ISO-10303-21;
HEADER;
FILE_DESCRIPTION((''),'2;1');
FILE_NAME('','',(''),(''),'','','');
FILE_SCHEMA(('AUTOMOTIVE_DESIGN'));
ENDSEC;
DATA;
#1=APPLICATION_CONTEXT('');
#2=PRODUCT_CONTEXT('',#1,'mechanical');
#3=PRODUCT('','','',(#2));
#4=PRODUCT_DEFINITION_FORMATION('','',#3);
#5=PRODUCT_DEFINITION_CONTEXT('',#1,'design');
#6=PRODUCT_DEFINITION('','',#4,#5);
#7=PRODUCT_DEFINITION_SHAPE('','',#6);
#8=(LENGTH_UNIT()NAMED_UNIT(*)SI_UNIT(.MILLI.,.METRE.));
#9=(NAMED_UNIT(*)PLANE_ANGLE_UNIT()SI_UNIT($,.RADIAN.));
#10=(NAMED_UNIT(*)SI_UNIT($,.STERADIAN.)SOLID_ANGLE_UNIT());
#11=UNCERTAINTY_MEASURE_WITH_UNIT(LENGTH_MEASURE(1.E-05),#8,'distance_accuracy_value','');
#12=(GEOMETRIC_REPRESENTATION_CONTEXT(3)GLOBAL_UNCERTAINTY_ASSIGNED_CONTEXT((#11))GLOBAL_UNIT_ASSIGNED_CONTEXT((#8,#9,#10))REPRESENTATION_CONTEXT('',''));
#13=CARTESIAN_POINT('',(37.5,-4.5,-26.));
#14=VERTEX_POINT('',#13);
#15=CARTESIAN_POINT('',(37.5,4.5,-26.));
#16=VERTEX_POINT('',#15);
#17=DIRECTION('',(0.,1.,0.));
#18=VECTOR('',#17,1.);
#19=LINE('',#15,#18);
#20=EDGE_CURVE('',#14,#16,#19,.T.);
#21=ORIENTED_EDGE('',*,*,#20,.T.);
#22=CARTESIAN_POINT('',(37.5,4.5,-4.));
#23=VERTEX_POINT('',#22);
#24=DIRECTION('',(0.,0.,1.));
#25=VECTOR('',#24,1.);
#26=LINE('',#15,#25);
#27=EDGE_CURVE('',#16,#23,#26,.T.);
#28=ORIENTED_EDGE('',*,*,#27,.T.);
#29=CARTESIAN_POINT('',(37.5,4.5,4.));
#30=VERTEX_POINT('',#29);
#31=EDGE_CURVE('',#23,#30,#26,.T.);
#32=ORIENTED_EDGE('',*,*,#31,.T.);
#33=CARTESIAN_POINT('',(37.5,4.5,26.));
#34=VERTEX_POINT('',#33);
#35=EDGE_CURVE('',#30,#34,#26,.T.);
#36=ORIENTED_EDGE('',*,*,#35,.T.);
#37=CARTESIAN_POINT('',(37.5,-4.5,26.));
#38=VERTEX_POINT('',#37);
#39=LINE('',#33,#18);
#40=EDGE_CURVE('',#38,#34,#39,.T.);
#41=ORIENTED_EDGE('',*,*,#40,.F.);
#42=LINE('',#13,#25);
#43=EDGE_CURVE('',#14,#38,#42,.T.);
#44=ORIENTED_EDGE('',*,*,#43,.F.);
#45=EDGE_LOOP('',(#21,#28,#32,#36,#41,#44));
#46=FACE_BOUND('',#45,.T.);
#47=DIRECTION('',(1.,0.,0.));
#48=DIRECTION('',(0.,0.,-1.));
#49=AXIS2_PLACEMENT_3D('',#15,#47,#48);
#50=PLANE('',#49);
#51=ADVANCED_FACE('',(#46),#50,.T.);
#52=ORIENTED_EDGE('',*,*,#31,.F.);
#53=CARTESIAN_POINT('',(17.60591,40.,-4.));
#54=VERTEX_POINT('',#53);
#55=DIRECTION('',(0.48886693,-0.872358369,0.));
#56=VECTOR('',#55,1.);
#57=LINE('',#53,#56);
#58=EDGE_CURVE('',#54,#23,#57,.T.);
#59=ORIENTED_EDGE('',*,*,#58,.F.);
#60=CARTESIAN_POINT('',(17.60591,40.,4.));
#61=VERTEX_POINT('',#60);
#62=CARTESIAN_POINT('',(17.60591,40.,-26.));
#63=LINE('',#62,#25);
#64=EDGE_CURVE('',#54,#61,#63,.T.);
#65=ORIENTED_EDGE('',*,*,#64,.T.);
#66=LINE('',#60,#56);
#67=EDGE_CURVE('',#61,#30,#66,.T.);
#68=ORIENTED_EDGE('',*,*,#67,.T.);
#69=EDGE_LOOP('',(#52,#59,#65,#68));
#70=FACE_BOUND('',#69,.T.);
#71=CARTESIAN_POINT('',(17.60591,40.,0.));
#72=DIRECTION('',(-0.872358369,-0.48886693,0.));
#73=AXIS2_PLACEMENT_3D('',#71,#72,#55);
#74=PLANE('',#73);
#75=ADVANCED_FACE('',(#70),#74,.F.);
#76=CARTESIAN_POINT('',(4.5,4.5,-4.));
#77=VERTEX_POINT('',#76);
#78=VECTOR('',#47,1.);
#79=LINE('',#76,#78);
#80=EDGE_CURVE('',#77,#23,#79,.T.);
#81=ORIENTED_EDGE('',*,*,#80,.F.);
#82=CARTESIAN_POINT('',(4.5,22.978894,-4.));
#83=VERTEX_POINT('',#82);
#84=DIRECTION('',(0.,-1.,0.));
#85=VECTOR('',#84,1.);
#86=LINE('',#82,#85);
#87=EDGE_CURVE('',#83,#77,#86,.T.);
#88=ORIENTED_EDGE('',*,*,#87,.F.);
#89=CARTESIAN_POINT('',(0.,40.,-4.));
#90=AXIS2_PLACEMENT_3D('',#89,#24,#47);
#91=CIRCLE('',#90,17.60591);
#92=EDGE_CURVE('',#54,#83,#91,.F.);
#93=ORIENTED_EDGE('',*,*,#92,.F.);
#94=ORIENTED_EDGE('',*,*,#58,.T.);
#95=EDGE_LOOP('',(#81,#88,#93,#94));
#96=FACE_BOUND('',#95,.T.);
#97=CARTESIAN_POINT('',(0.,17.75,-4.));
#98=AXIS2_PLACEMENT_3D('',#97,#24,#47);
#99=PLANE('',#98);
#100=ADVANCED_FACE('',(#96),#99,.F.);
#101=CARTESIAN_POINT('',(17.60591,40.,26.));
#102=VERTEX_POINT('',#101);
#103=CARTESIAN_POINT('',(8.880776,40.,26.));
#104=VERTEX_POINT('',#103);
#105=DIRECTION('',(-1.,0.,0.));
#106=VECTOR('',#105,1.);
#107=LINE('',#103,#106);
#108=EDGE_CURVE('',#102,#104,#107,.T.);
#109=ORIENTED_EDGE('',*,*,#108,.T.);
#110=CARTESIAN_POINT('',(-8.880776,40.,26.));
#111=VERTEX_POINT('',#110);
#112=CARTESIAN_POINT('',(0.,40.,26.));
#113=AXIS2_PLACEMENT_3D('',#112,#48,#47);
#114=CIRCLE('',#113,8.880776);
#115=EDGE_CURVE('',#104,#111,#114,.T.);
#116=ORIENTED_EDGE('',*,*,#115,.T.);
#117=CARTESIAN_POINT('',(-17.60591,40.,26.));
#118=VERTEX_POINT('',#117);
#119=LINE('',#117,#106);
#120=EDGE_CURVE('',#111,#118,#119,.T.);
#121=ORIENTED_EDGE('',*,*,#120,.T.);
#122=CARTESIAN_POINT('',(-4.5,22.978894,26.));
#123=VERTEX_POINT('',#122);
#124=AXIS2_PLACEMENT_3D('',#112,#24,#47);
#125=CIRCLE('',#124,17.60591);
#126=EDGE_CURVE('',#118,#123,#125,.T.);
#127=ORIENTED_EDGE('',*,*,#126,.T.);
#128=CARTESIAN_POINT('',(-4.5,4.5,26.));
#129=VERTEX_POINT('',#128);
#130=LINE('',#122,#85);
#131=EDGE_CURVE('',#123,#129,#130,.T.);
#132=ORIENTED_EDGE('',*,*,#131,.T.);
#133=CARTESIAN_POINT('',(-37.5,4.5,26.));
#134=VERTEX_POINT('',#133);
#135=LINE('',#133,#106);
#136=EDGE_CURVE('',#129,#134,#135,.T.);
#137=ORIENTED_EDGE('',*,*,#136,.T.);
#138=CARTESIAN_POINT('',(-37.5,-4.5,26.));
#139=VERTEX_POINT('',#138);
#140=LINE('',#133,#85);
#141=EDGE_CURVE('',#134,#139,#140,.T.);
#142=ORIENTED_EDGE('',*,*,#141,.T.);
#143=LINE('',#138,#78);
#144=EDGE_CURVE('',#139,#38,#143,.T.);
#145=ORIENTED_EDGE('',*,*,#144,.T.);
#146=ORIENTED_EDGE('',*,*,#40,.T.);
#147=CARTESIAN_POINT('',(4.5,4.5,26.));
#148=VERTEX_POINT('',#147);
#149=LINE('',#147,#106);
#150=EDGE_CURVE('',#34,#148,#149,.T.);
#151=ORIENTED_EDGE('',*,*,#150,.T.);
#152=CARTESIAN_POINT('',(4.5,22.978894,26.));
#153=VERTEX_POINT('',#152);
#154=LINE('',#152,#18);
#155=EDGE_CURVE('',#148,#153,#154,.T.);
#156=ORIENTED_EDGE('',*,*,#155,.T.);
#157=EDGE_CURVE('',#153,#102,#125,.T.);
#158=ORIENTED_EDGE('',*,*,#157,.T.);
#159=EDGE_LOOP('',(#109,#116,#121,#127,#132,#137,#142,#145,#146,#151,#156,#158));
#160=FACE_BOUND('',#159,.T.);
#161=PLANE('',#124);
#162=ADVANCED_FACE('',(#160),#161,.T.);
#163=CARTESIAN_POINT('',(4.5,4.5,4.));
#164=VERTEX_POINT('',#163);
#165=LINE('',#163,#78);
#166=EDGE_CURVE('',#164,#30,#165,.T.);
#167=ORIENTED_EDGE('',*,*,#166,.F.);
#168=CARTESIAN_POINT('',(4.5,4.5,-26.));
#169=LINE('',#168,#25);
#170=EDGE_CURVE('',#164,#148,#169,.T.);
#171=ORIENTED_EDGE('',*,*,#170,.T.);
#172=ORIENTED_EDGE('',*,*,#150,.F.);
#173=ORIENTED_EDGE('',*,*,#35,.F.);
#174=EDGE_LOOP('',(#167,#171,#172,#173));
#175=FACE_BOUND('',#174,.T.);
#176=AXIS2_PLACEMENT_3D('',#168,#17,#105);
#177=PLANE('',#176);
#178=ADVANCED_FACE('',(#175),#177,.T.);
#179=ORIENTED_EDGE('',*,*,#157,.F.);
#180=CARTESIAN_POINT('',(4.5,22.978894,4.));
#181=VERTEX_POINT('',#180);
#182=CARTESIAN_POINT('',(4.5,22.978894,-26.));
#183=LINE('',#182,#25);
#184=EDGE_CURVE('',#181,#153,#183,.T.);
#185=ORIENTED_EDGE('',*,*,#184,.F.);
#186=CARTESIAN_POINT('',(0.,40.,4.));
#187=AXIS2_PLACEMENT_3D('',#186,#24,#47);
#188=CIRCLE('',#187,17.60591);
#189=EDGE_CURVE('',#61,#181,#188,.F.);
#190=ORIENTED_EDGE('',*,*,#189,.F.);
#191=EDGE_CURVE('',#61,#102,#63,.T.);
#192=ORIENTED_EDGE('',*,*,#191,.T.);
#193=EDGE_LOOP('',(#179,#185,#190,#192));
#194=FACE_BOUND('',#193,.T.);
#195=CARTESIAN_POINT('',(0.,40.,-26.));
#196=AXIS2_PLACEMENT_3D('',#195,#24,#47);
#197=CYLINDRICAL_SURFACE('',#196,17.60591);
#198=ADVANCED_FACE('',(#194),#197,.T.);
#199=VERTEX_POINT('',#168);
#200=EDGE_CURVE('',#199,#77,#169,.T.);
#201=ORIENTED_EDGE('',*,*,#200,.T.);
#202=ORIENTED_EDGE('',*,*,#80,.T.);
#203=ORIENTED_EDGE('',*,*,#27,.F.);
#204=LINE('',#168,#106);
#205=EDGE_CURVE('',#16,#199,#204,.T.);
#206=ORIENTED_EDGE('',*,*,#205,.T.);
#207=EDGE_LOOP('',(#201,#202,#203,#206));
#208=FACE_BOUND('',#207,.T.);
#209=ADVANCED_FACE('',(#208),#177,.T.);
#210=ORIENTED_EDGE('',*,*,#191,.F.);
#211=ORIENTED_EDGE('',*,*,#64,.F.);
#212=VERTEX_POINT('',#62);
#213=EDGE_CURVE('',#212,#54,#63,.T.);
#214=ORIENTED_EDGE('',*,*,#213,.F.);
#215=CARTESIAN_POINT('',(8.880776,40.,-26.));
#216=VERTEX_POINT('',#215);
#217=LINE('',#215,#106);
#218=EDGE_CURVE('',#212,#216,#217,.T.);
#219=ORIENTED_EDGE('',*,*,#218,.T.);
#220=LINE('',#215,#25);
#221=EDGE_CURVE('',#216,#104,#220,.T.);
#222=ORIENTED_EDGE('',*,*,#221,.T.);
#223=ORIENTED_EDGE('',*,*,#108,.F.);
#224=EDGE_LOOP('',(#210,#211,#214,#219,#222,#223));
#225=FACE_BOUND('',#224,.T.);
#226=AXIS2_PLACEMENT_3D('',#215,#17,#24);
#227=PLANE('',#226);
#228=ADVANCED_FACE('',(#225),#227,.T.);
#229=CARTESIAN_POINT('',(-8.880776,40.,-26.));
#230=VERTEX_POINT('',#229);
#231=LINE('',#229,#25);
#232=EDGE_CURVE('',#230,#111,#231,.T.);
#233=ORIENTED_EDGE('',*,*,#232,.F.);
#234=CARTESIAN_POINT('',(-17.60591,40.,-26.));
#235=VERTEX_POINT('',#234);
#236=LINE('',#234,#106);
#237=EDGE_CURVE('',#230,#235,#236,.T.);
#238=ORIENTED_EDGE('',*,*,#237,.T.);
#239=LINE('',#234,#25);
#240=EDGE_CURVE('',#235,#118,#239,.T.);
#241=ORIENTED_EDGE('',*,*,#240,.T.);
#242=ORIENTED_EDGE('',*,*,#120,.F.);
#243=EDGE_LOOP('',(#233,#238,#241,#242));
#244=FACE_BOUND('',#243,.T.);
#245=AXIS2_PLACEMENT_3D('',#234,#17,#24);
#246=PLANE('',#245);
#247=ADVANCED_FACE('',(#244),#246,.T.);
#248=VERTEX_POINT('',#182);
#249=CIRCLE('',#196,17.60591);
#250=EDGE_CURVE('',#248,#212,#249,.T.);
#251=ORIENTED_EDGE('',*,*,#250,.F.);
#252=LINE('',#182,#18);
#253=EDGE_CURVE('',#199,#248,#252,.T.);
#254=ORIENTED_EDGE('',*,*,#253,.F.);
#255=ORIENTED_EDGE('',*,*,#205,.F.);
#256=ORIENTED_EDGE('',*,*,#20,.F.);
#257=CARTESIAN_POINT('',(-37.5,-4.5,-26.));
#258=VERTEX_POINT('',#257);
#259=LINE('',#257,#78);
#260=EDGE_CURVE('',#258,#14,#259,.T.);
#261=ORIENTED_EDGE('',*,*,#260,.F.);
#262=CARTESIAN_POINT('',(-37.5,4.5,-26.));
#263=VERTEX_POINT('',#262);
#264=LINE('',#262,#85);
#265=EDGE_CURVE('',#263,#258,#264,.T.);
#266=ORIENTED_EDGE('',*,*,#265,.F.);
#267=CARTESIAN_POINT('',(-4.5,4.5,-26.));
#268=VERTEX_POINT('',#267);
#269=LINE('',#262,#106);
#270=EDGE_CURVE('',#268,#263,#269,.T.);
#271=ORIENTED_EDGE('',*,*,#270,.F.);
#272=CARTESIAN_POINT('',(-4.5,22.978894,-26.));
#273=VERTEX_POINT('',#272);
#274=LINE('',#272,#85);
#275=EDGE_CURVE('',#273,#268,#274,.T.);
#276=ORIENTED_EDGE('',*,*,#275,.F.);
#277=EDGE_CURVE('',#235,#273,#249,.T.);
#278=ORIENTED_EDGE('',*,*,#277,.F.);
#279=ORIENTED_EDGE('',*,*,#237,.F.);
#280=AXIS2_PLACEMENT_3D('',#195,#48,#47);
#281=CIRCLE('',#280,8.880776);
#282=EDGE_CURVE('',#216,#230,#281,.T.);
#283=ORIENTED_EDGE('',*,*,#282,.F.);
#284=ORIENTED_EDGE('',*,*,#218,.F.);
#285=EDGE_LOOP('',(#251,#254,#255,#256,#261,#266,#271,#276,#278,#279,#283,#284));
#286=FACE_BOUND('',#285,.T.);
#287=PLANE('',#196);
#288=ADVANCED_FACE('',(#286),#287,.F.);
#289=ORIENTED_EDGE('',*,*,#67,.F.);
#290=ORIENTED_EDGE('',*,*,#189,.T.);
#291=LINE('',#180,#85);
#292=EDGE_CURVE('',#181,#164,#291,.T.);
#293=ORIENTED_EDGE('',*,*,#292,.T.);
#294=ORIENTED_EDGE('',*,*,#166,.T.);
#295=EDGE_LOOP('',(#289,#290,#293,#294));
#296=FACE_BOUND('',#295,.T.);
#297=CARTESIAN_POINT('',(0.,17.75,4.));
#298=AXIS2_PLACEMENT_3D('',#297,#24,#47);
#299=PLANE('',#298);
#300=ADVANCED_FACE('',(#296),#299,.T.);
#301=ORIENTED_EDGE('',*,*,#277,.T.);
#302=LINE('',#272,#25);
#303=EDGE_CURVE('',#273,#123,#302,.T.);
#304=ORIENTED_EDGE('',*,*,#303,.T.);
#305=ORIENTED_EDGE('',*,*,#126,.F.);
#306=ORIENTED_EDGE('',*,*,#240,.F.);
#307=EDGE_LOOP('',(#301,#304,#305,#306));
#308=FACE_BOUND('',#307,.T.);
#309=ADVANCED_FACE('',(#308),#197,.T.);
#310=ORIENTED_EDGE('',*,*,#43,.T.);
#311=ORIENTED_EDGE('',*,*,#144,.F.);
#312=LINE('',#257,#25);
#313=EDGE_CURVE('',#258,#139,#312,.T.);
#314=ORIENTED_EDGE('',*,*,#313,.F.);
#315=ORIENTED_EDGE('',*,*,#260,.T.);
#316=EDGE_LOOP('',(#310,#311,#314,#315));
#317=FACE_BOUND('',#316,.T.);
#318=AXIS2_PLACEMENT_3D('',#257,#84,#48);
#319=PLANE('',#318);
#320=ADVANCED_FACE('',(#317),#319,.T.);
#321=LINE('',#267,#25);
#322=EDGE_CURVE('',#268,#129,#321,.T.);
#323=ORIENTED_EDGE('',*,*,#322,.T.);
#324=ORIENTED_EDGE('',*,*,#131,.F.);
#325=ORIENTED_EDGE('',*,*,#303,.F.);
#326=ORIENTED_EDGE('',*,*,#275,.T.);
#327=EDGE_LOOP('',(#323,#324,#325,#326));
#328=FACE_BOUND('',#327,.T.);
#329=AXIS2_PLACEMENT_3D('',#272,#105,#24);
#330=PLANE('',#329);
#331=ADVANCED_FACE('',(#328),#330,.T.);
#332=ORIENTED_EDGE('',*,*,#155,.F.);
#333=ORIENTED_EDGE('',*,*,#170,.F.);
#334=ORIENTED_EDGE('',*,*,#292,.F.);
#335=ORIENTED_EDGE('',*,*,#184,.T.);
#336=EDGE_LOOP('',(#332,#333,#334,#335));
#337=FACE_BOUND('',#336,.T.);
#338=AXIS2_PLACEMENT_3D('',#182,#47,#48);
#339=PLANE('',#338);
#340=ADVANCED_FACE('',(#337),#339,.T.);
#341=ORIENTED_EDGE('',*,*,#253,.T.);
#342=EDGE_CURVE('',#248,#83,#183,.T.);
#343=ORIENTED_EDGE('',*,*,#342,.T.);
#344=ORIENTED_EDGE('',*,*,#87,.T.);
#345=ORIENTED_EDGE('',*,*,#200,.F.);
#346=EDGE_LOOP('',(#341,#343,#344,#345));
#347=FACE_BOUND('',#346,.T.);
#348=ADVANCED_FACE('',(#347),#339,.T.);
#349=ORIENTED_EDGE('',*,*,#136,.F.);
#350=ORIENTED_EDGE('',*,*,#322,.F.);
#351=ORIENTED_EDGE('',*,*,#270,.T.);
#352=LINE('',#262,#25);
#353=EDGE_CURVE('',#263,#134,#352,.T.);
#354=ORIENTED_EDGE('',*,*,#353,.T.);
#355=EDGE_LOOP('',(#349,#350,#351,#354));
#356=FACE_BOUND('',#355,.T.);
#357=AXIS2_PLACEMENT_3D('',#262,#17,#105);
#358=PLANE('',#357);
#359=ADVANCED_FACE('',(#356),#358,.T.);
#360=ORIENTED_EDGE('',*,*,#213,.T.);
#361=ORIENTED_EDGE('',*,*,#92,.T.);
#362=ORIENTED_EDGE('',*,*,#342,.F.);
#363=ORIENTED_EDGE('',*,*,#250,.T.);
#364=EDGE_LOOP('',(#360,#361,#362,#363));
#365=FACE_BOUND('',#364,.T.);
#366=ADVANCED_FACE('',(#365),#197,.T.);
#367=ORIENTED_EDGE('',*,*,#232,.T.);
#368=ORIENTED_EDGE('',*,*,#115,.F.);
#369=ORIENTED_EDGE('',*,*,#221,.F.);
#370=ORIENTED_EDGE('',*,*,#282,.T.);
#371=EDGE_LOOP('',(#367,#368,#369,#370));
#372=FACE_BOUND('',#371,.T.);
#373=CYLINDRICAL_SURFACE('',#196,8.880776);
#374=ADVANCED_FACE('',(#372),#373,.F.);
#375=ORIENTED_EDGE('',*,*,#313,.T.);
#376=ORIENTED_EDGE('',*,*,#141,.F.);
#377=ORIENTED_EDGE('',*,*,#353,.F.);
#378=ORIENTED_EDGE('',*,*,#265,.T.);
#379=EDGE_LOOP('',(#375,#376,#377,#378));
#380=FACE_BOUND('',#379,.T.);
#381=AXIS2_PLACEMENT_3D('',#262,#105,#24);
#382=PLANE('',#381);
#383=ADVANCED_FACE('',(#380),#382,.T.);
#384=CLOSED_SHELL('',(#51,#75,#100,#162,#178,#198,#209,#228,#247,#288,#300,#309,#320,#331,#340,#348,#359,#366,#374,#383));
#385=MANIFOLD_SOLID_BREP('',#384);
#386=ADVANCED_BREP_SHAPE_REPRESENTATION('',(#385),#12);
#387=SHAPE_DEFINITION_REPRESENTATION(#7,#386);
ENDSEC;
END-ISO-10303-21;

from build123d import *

# Parameters (mm, degrees)
BOSS_EXTRUDE5_DEPTH      = 26
BOSS_EXTRUDE5_DEPTH_BACK = 26
RIB1_REACH               = 62.682
SKETCH8_WALL_W           = 164.057376466
SKETCH8_WALL_H           = 8


with BuildPart() as part:
    # Sketch7 → Boss-Extrude5 (new, two sides: drawn at the far end of the back side and taken through both)
    with BuildSketch(Plane.XY.offset(-BOSS_EXTRUDE5_DEPTH_BACK)):
        with BuildLine():
            Line((-17.60590988, 40), (-8.880775936, 40))
            ThreePointArc((-8.880775936, 40), (0, 31.119224064), (8.880775936, 40))
            Line((8.880775936, 40), (17.60590988, 40))
            ThreePointArc((17.60590988, 40), (13.949814643, 29.258923046), (4.5, 22.978893611))
            Line((4.5, 22.978893611), (4.5, 4.5))
            Line((4.5, 4.5), (37.5, 4.5))
            Line((37.5, 4.5), (37.5, -4.5))
            Line((37.5, -4.5), (-37.5, -4.5))
            Line((-37.5, -4.5), (-37.5, 4.5))
            Line((-37.5, 4.5), (-4.5, 4.5))
            Line((-4.5, 4.5), (-4.5, 22.978893611))
            ThreePointArc((-4.5, 22.978893611), (-13.949814643, 29.258923046), (-17.60590988, 40))
        make_face()
    extrude(amount=BOSS_EXTRUDE5_DEPTH + BOSS_EXTRUDE5_DEPTH_BACK)

    # Sketch8 wall → Rib1 (add, up to next)
    with BuildSketch(Plane(origin=(27.55295494, 22.25, 0), x_dir=(0.488866930082, -0.872358369406, 0), z_dir=(0.872358369406, 0.488866930082, 0)), mode=Mode.PRIVATE) as rib1_sk1:
        Rectangle(SKETCH8_WALL_W, SKETCH8_WALL_H)
    rib1_tool1 = extrude(rib1_sk1.sketch, amount=-RIB1_REACH, mode=Mode.PRIVATE) - part.part
    add(rib1_tool1.solids().sort_by_distance((27.55295494, 22.25, 0))[0])


solid = part.part
